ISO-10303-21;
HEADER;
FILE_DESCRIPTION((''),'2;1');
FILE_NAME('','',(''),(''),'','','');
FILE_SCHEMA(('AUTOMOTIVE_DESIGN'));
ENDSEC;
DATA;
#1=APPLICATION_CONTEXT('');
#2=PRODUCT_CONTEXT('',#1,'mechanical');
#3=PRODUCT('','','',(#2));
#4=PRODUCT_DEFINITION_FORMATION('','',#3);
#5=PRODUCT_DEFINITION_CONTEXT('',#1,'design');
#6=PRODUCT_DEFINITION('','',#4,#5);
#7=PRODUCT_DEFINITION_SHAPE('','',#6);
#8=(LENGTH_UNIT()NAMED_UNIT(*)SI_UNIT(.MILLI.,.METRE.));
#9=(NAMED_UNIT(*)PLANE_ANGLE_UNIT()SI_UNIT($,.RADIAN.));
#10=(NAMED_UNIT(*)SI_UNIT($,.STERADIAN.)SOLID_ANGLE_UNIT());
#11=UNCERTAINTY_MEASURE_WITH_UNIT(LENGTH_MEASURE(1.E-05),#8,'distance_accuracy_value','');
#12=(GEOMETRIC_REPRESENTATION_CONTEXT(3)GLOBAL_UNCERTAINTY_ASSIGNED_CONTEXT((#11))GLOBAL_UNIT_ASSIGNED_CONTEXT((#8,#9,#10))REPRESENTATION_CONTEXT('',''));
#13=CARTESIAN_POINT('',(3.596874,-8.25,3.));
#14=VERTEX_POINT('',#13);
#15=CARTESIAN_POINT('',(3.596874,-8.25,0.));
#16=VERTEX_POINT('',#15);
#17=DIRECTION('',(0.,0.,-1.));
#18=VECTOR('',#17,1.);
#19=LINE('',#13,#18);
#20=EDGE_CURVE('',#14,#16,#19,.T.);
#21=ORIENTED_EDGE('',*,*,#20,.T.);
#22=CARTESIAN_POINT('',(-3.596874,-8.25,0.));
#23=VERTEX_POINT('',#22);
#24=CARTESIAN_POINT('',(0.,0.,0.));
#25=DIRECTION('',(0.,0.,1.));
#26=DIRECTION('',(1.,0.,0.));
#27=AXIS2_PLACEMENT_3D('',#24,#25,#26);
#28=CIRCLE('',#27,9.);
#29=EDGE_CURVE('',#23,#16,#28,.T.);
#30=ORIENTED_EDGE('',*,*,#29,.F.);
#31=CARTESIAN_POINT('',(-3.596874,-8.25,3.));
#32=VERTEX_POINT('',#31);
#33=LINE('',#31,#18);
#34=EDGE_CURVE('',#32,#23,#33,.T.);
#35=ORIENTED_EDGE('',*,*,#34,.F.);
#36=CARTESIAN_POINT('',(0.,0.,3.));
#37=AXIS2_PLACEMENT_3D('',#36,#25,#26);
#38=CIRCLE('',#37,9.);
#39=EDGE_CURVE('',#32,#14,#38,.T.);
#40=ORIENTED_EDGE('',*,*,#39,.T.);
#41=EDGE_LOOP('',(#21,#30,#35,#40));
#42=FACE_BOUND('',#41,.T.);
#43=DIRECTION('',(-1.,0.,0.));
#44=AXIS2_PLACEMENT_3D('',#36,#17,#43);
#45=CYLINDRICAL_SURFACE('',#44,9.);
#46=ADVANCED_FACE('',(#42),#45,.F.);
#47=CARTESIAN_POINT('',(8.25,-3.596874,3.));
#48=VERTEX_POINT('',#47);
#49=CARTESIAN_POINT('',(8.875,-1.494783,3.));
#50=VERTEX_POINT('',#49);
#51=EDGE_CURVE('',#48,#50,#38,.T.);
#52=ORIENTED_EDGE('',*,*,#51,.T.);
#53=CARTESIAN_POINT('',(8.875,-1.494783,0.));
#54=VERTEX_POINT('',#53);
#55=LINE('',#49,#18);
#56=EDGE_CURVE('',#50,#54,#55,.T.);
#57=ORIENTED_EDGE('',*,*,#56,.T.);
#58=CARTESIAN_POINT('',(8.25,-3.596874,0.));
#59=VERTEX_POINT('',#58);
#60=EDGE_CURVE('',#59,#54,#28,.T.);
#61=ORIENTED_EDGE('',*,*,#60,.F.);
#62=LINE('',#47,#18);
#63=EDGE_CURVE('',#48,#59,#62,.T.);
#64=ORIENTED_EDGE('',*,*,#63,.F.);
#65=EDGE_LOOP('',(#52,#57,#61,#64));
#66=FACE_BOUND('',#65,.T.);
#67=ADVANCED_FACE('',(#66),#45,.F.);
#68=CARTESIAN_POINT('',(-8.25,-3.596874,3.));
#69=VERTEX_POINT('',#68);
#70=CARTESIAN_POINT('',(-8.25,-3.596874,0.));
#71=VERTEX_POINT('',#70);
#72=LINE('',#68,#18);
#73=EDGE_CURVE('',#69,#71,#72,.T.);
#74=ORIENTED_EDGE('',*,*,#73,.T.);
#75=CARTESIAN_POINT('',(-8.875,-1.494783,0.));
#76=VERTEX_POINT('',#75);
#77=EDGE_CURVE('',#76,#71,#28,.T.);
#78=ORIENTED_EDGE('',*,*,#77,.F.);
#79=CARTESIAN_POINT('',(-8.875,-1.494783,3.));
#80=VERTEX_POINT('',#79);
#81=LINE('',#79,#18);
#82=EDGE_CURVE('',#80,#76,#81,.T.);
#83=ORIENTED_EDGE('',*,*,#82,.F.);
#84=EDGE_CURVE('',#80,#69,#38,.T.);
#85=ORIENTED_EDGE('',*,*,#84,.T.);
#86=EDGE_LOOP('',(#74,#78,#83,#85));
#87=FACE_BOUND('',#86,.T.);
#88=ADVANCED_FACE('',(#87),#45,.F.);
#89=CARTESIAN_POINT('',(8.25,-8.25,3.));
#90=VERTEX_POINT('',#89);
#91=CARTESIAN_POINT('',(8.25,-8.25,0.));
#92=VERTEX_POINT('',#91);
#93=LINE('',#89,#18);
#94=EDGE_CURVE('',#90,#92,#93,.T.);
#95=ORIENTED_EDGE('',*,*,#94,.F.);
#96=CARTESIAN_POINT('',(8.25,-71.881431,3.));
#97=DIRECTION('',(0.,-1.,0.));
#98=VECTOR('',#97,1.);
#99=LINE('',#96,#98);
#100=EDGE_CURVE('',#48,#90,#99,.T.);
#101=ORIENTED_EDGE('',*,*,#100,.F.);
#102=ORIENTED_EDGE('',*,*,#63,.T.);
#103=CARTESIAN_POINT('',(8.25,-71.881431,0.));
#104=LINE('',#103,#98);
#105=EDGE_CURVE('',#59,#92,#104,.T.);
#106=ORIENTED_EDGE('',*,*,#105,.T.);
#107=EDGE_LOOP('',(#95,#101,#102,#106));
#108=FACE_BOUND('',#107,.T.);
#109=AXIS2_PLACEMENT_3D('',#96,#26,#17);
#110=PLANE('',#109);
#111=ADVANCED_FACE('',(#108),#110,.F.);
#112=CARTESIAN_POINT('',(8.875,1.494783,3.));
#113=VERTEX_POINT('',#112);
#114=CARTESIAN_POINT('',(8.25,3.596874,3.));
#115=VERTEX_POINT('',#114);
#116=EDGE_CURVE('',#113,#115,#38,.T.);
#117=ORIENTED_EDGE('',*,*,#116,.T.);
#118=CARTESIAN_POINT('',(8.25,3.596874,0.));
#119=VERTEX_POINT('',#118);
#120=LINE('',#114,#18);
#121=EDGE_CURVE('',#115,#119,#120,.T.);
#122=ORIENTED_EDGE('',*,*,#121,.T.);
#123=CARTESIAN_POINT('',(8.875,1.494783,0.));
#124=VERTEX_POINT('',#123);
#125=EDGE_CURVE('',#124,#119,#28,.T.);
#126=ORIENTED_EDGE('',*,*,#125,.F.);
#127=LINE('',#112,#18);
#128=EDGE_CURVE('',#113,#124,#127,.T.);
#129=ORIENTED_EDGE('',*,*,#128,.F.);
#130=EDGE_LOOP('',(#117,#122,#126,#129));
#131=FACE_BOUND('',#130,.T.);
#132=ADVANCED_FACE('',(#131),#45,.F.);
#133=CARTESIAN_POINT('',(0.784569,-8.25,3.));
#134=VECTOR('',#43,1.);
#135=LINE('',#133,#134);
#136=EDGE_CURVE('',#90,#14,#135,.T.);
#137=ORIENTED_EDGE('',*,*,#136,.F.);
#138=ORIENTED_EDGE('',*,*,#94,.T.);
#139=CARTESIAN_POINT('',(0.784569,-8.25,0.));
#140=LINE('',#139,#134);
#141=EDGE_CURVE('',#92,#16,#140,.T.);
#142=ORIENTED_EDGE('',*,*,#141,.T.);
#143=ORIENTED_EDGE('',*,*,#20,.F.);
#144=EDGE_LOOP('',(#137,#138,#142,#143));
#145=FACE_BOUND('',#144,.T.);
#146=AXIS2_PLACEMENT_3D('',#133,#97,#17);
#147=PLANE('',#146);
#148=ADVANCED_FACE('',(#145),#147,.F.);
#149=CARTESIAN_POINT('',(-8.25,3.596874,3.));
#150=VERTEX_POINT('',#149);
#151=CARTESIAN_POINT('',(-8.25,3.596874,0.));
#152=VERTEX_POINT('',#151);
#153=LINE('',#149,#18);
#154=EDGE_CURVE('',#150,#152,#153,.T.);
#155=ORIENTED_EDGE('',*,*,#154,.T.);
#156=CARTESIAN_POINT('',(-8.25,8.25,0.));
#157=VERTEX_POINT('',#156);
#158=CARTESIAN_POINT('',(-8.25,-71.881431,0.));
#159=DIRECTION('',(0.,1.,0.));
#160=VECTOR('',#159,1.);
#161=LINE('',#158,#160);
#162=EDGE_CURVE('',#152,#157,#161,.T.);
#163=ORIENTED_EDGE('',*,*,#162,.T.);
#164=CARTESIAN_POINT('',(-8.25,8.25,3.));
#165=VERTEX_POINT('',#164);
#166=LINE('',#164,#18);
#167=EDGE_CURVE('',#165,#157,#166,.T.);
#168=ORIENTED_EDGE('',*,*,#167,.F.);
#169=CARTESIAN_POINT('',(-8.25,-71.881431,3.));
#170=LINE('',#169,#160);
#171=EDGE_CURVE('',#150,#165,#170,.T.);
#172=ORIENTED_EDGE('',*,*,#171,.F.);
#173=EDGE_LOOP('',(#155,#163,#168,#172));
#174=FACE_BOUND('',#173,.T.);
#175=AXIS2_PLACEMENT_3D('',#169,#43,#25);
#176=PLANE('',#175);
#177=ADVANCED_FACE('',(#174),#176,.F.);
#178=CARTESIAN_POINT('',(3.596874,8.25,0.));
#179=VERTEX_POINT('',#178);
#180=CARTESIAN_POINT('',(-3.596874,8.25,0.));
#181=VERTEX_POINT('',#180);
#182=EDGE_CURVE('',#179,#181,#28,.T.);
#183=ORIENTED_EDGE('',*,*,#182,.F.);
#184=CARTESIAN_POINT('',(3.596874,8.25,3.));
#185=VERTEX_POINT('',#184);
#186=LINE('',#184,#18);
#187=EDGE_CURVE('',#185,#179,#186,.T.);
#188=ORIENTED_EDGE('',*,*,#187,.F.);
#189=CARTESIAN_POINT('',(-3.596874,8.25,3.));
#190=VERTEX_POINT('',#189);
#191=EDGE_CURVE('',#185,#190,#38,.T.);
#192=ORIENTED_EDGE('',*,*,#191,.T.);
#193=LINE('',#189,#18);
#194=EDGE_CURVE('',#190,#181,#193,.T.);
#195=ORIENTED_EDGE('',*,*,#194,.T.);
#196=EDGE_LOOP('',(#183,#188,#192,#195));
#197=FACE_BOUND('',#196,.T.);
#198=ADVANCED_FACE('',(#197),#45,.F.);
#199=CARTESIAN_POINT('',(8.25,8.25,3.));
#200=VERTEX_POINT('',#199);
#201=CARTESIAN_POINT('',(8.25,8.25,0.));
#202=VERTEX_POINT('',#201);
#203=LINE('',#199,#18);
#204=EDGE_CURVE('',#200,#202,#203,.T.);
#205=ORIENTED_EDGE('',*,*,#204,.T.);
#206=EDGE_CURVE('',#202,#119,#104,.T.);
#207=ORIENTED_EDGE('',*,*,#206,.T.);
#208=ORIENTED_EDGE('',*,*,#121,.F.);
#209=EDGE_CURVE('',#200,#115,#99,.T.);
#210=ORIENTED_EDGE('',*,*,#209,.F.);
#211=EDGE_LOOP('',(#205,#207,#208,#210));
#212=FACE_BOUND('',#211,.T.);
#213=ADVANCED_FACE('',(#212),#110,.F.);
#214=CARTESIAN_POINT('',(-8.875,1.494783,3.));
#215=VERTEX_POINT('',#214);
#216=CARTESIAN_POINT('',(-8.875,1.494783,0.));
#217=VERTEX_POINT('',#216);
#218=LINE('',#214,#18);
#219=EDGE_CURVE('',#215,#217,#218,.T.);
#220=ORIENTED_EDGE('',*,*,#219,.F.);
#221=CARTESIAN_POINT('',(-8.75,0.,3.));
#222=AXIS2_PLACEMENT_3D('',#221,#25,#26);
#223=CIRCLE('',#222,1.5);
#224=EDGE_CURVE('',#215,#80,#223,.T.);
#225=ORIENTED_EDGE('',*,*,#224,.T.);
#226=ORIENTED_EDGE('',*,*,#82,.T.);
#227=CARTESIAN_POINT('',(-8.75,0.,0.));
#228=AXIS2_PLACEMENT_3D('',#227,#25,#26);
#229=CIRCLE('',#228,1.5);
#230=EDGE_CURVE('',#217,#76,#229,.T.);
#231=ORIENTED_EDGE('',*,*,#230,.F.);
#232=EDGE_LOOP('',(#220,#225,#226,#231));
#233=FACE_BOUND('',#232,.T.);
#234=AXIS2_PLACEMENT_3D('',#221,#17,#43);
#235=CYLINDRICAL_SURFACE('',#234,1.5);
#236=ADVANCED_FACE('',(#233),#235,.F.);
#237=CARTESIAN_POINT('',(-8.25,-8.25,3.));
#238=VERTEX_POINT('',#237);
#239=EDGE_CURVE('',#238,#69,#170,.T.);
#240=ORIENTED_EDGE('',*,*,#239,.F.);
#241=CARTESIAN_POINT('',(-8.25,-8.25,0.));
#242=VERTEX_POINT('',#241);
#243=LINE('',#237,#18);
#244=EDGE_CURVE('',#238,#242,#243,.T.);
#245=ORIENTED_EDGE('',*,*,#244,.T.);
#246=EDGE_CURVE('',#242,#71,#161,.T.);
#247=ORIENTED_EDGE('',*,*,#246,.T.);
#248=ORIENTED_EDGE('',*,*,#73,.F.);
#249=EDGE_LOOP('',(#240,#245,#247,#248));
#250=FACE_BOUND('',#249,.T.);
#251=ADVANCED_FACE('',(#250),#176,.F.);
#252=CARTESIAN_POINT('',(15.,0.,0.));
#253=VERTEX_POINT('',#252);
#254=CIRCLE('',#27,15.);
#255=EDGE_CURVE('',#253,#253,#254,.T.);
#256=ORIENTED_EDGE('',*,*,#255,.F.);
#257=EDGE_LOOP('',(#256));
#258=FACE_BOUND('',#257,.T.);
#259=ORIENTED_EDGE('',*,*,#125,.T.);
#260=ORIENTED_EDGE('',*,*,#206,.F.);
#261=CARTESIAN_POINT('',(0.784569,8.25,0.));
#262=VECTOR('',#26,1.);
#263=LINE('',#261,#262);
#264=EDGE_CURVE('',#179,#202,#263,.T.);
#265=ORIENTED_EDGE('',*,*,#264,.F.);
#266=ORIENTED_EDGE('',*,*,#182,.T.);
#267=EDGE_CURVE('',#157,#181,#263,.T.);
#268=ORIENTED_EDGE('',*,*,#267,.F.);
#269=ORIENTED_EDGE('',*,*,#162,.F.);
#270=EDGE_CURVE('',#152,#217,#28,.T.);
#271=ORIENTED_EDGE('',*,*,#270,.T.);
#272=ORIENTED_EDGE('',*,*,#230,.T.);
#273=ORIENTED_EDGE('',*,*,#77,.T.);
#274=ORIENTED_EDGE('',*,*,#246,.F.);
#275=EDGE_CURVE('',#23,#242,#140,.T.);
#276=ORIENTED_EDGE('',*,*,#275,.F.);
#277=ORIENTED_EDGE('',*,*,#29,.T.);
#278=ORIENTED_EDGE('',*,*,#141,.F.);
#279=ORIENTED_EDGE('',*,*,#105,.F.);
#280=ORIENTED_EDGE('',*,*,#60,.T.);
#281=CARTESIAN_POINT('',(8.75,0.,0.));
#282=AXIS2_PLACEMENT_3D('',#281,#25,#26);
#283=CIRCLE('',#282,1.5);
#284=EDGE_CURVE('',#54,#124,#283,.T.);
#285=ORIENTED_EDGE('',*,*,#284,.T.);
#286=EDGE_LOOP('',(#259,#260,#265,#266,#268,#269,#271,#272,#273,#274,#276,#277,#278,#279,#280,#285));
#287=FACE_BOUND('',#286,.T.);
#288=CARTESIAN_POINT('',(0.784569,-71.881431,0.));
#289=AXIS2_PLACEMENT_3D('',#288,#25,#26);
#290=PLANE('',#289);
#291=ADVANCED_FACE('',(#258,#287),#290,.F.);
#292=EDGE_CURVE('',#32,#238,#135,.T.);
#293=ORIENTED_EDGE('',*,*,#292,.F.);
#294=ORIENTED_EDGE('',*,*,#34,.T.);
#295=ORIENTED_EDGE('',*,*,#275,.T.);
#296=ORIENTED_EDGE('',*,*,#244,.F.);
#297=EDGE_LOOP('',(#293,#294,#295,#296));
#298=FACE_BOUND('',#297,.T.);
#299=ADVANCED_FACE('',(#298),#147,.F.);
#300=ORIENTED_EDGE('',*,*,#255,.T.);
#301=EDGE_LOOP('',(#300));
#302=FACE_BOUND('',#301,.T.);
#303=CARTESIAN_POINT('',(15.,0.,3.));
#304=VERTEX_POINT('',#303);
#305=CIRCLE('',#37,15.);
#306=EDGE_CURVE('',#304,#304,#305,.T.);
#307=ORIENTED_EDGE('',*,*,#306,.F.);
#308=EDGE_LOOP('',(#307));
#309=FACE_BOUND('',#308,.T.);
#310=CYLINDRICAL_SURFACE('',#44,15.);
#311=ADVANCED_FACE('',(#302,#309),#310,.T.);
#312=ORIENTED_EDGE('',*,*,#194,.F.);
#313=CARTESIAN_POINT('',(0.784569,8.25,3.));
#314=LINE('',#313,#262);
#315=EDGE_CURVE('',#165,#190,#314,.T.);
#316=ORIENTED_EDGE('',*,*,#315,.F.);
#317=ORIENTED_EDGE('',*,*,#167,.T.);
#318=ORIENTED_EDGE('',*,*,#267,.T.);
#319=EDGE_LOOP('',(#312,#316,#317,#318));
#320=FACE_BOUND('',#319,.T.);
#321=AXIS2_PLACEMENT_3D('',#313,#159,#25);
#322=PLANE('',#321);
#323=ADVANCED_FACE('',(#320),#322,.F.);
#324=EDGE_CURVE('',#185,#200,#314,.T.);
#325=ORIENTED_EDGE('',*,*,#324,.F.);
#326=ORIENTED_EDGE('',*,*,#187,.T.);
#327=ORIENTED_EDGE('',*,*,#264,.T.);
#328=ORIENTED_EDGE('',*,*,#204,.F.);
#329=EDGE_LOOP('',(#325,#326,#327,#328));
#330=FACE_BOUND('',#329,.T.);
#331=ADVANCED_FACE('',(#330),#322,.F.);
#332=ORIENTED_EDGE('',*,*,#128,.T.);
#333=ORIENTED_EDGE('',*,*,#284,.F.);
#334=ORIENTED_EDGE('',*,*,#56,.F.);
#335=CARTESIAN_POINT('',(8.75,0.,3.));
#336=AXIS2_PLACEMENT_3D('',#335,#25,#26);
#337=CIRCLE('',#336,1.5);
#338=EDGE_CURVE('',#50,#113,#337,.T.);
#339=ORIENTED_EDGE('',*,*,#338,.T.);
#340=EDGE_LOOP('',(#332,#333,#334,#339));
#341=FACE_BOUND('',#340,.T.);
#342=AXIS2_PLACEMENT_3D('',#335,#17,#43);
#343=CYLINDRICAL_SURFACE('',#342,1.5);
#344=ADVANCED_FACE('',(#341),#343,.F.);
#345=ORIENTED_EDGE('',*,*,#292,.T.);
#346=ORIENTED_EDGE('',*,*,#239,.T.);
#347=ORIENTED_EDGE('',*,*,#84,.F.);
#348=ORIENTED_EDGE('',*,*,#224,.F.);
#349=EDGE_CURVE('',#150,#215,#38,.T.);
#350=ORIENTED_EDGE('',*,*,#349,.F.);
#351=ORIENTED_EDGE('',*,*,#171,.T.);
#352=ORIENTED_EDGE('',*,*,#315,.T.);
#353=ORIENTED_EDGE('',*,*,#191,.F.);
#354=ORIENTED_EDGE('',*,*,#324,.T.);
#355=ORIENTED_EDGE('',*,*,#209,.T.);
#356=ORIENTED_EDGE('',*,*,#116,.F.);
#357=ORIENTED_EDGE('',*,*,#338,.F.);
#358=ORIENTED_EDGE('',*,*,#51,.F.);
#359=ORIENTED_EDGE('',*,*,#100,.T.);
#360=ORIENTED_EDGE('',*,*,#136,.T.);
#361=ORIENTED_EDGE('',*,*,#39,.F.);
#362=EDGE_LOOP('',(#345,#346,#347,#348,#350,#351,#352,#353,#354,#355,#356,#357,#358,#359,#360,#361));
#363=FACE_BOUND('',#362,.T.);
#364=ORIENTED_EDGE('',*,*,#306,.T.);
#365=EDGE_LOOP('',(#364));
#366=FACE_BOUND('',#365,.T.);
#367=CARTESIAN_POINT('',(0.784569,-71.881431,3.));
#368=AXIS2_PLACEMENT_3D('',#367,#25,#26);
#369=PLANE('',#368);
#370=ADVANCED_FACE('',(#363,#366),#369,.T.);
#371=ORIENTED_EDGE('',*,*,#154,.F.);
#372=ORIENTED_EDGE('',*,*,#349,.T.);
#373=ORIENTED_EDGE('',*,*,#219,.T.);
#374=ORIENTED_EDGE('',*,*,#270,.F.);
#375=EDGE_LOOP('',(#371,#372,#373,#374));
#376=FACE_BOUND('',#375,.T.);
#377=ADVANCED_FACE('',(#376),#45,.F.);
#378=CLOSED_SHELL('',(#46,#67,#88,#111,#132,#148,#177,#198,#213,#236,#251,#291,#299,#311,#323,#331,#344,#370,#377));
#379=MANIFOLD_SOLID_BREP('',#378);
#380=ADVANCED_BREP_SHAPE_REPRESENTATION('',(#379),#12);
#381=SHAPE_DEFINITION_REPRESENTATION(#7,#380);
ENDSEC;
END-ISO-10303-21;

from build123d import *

# Parameters (mm, degrees)
SKETCH1_R           = 15
BOSS_EXTRUDE1_DEPTH = 3


with BuildPart() as part:
    # Sketch1 → Boss-Extrude1 (new body)
    with BuildSketch(Plane.XY):
        Circle(SKETCH1_R)
        with BuildLine():
            ThreePointArc((8.875, 1.494782593), (8.626766656, 2.564936072), (8.25, 3.596873642))
            Line((8.25, 3.596873642), (8.25, 8.25))
            Line((8.25, 8.25), (3.596873642, 8.25))
            ThreePointArc((3.596873642, 8.25), (0, 9), (-3.596873642, 8.25))
            Line((-3.596873642, 8.25), (-8.25, 8.25))
            Line((-8.25, 8.25), (-8.25, 3.596873642))
            ThreePointArc((-8.25, 3.596873642), (-8.626766656, 2.564936072), (-8.875, 1.494782593))
            ThreePointArc((-8.875, 1.494782593), (-10.25, 0), (-8.875, -1.494782593))
            ThreePointArc((-8.875, -1.494782593), (-8.626766656, -2.564936072), (-8.25, -3.596873642))
            Line((-8.25, -3.596873642), (-8.25, -8.25))
            Line((-8.25, -8.25), (-3.596873642, -8.25))
            ThreePointArc((-3.596873642, -8.25), (0, -9), (3.596873642, -8.25))
            Line((3.596873642, -8.25), (8.25, -8.25))
            Line((8.25, -8.25), (8.25, -3.596873642))
            ThreePointArc((8.25, -3.596873642), (8.626766656, -2.564936072), (8.875, -1.494782593))
            ThreePointArc((8.875, -1.494782593), (10.25, 0), (8.875, 1.494782593))
        make_face(mode=Mode.SUBTRACT)
    extrude(amount=BOSS_EXTRUDE1_DEPTH)


solid = part.part
